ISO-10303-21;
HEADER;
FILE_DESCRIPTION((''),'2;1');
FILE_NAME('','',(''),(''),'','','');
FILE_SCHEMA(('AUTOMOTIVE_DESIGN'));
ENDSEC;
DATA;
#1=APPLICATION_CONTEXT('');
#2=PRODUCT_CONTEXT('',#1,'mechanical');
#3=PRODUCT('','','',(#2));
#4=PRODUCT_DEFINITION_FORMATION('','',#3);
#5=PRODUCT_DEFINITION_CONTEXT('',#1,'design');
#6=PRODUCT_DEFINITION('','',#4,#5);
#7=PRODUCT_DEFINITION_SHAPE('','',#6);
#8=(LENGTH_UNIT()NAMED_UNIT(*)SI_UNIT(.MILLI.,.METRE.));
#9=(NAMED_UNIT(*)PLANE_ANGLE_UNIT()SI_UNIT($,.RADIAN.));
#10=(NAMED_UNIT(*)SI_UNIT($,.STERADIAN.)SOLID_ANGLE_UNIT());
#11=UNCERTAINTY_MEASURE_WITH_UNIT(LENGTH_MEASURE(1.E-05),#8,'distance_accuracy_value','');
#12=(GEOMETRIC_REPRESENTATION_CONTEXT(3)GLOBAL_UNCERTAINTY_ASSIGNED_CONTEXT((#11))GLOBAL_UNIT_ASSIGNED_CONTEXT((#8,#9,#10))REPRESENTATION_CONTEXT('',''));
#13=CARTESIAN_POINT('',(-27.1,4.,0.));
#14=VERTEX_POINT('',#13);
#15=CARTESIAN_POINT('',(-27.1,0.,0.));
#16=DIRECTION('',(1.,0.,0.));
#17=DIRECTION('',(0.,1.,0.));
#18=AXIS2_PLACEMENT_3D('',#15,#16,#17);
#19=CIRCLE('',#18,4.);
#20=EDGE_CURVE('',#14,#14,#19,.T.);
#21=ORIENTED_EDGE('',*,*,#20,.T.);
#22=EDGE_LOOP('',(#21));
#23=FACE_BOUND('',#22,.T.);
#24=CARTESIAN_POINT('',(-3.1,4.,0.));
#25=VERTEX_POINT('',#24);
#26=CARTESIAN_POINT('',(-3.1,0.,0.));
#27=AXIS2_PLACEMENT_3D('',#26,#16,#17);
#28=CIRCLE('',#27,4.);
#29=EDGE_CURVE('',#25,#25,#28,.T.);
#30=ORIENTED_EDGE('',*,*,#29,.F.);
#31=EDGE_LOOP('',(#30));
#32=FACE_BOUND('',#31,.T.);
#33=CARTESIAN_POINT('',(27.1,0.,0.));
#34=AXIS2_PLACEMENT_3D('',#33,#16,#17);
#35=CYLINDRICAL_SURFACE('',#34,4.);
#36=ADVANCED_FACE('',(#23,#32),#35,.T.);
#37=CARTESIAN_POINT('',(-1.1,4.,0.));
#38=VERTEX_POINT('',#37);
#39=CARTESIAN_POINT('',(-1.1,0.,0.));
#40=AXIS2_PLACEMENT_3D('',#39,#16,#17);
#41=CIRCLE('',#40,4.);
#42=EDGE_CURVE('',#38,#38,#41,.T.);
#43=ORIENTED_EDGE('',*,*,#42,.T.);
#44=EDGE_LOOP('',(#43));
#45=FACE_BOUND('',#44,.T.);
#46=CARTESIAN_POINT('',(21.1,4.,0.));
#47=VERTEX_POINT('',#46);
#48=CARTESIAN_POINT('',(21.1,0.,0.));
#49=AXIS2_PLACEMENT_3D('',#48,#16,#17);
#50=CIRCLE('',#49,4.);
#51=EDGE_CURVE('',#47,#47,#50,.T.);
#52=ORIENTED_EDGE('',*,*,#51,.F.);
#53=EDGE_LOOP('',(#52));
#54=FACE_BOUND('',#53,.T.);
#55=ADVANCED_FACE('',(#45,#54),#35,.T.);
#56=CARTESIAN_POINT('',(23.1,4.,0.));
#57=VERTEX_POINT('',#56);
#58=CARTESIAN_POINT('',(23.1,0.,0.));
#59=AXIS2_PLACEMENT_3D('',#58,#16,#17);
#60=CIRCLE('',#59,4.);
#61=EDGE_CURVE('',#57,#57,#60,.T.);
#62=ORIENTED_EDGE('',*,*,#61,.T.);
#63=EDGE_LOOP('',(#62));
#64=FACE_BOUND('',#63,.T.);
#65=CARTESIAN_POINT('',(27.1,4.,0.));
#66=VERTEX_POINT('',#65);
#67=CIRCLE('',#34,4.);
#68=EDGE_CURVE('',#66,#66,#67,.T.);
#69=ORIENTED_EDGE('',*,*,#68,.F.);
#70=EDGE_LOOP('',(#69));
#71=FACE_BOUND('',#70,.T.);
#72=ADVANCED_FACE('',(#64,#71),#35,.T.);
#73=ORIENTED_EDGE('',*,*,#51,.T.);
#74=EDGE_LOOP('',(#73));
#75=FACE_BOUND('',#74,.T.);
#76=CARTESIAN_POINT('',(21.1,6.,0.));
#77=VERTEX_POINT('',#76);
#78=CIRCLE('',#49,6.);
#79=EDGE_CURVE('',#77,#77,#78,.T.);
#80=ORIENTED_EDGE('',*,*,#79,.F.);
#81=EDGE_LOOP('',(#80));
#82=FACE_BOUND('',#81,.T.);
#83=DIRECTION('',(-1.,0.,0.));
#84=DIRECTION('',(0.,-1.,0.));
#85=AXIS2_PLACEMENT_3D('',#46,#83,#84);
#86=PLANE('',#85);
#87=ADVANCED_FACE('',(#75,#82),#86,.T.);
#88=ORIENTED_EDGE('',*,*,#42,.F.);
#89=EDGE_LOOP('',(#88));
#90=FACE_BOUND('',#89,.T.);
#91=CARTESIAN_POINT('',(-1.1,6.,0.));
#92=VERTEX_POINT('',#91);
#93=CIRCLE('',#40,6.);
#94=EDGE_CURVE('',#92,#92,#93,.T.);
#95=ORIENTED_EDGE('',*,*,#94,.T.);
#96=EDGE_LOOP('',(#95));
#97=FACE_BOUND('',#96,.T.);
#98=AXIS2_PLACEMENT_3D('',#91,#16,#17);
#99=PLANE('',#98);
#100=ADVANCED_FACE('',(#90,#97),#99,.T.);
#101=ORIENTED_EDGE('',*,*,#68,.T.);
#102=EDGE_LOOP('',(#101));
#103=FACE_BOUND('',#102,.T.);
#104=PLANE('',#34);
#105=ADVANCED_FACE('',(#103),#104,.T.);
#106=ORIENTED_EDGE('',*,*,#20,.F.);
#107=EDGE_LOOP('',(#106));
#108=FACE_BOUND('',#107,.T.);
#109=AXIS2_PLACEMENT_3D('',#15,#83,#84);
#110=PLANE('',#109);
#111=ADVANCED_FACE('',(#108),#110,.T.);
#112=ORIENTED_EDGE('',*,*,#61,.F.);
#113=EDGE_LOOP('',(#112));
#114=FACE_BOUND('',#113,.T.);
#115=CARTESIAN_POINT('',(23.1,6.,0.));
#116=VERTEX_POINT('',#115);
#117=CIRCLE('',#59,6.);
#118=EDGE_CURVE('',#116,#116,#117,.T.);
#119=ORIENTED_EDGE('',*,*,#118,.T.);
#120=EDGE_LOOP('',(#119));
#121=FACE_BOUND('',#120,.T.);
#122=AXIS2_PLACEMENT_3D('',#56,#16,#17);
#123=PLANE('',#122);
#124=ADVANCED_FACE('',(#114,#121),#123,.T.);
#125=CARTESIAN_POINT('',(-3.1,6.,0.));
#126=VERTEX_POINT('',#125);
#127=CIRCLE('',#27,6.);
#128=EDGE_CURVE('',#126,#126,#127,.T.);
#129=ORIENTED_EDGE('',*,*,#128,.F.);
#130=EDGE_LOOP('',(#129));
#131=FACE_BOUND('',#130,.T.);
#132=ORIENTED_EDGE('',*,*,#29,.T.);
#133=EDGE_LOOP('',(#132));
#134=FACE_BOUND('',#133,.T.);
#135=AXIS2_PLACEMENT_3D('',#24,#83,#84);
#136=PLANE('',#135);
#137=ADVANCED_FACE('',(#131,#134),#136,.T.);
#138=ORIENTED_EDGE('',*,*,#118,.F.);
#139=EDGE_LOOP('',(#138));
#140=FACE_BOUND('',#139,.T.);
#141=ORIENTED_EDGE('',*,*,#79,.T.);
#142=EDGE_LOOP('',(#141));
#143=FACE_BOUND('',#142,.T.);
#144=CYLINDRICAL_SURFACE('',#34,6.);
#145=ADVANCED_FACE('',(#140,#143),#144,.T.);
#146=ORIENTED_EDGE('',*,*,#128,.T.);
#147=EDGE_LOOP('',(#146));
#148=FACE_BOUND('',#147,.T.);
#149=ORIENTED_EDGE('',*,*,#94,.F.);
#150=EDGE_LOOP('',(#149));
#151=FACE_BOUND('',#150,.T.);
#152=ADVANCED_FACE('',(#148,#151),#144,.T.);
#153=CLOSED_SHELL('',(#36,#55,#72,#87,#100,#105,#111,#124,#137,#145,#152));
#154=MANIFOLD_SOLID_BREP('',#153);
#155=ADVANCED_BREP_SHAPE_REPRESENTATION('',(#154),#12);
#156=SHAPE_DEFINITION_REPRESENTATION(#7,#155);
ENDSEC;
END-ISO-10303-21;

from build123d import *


with BuildPart() as part:
    # Sketch2 → Revolve1 (revolve)
    with BuildSketch(Plane.XY):
        Polygon((-27.1, 4), (-3.1, 4), (-3.1, 6), (-1.1, 6), (-1.1, 4), (21.1, 4), (21.1, 6), (23.1, 6), (23.1, 4), (27.1, 4), (27.1, 0), (-27.1, 0), align=None)
    revolve(axis=Axis((27.1, 0, 0), (-1, 0, 0)))


solid = part.part
